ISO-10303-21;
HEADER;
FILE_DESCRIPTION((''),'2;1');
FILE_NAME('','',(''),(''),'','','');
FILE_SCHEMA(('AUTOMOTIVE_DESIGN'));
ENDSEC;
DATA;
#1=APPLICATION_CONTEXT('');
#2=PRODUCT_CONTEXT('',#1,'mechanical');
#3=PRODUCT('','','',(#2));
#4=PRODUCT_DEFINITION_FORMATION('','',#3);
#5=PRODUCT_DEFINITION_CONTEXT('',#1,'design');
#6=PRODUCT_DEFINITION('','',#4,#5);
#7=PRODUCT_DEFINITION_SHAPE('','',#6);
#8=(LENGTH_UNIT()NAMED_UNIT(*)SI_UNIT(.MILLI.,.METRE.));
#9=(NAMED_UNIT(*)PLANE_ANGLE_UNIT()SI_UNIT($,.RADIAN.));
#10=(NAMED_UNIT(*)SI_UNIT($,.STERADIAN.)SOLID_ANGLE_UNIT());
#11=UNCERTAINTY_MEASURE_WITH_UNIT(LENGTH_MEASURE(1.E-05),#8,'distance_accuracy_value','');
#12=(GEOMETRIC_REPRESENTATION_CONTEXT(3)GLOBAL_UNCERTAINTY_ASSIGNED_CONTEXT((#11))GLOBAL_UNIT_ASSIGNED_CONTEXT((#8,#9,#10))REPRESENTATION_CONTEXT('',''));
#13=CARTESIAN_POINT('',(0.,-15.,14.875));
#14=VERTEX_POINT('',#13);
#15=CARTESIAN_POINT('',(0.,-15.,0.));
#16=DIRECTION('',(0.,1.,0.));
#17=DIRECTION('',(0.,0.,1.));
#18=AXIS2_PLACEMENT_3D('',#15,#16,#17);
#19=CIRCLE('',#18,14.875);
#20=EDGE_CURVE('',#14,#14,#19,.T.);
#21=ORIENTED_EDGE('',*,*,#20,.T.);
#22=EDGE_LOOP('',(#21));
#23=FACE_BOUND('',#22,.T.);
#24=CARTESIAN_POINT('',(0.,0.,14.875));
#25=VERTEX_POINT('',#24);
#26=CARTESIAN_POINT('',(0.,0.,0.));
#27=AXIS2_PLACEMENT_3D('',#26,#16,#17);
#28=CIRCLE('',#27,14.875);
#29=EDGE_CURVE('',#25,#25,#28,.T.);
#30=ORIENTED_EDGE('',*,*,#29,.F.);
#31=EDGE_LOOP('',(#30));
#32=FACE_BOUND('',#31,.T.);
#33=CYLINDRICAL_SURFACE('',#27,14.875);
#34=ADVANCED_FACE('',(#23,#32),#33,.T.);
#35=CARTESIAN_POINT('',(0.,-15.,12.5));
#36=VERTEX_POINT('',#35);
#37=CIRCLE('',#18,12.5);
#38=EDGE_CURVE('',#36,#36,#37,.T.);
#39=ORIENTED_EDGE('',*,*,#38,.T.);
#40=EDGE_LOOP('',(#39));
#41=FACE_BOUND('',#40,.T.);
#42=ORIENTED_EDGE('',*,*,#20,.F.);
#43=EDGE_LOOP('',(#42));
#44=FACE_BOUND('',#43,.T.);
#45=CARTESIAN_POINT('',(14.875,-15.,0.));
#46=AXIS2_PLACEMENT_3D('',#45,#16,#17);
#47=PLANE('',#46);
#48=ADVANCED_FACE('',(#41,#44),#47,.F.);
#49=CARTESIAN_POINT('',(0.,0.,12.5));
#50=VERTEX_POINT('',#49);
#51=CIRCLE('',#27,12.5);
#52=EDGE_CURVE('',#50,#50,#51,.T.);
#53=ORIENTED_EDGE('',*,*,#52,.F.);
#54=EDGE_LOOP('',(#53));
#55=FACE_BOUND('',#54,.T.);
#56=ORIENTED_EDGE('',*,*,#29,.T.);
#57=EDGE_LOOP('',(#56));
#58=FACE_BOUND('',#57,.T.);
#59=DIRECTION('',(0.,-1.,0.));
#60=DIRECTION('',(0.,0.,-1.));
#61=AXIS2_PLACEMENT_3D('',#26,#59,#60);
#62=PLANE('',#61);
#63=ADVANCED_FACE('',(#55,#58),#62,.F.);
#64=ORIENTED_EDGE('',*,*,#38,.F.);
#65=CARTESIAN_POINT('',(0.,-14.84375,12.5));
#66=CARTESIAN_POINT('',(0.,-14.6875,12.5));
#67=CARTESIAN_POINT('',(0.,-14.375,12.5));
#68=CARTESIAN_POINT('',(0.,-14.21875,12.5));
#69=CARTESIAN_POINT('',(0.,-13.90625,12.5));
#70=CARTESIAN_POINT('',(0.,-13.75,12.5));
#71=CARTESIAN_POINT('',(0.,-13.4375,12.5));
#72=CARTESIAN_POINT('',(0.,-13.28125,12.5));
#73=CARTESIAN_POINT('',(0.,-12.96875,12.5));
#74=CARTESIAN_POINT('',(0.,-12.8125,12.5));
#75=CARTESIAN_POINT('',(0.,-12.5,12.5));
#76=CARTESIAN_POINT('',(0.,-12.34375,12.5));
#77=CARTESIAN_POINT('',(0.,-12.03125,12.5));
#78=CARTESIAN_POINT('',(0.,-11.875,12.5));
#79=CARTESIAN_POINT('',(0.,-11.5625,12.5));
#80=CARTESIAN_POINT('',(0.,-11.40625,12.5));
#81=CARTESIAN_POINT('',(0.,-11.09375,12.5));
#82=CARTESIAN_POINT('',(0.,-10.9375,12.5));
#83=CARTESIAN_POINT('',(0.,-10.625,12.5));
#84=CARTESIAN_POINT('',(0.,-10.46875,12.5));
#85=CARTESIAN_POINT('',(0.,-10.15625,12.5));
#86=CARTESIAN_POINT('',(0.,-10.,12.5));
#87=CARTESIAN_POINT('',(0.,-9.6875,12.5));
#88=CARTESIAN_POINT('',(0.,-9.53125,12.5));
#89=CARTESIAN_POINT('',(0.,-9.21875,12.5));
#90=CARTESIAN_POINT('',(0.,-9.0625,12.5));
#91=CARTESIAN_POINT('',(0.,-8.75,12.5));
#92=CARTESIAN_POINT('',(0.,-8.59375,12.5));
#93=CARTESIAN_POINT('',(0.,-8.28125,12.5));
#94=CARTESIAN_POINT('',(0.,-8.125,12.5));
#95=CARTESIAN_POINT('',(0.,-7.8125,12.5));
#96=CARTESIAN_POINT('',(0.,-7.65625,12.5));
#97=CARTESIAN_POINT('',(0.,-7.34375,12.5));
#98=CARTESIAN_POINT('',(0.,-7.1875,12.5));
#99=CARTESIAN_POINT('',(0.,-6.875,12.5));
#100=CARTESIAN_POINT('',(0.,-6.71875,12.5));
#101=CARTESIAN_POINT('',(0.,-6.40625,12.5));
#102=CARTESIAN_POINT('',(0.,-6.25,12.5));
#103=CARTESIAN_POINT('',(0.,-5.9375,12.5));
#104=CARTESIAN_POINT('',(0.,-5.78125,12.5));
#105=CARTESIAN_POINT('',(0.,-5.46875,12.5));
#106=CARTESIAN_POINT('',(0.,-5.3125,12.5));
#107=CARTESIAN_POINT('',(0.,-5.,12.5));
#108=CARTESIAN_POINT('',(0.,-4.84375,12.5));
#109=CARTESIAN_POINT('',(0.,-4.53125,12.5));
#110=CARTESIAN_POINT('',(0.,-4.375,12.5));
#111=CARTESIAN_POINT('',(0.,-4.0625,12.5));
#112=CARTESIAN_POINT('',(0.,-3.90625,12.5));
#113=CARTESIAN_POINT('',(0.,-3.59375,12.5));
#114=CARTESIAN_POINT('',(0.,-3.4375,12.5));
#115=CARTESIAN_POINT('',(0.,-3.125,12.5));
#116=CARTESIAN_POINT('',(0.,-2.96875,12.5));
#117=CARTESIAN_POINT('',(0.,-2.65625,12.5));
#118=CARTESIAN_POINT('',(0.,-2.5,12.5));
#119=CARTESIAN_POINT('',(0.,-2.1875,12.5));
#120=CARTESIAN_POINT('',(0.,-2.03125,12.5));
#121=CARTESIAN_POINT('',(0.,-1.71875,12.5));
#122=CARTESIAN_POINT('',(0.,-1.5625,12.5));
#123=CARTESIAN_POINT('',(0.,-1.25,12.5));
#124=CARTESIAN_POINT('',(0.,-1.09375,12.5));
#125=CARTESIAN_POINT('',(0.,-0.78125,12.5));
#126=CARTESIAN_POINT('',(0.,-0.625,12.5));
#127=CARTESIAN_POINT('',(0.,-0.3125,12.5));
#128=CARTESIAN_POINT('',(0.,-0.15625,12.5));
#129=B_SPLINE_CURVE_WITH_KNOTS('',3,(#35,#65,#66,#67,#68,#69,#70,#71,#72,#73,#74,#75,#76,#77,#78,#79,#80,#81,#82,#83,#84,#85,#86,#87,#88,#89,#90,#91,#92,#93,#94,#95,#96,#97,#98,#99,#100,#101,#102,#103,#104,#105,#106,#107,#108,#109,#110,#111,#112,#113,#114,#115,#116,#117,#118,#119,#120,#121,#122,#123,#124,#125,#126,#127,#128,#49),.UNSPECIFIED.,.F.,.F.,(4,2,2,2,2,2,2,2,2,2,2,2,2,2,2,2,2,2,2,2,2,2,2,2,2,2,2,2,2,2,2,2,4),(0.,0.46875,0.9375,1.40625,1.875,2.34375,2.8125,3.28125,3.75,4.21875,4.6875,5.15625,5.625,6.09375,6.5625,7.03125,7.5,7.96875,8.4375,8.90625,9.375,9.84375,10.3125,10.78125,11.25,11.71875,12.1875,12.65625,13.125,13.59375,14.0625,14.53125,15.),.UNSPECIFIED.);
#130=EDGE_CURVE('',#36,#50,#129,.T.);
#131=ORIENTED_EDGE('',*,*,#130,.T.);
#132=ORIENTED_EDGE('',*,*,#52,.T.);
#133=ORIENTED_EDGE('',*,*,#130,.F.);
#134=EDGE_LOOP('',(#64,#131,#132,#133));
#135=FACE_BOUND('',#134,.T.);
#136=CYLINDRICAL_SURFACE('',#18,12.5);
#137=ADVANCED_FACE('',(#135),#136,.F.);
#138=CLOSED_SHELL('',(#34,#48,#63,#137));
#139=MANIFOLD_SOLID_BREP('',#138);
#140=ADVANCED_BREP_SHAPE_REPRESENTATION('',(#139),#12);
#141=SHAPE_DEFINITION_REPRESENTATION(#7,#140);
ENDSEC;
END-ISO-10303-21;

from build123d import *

# Parameters (mm, degrees)
SKETCH1_W          = 14.875
SKETCH1_H          = 15
SKETCH2_R          = 12.5
CUT_EXTRUDE1_DEPTH = 26.836626134


with BuildPart() as part:
    # Sketch1 → Revolve1 (revolve)
    with BuildSketch(Plane.XY):
        with Locations((7.4375, -7.5)):
            Rectangle(SKETCH1_W, SKETCH1_H)
    revolve(axis=Axis((0, 0, 0), (0, -1, 0)))

    # Sketch2 → Cut-Extrude1 (cut, through all)
    with BuildSketch(Plane(origin=(0, 0, 0), x_dir=(1, 0, 0), z_dir=(0, 1, 0))):
        Circle(SKETCH2_R)
    extrude(amount=-CUT_EXTRUDE1_DEPTH, mode=Mode.SUBTRACT)


solid = part.part
